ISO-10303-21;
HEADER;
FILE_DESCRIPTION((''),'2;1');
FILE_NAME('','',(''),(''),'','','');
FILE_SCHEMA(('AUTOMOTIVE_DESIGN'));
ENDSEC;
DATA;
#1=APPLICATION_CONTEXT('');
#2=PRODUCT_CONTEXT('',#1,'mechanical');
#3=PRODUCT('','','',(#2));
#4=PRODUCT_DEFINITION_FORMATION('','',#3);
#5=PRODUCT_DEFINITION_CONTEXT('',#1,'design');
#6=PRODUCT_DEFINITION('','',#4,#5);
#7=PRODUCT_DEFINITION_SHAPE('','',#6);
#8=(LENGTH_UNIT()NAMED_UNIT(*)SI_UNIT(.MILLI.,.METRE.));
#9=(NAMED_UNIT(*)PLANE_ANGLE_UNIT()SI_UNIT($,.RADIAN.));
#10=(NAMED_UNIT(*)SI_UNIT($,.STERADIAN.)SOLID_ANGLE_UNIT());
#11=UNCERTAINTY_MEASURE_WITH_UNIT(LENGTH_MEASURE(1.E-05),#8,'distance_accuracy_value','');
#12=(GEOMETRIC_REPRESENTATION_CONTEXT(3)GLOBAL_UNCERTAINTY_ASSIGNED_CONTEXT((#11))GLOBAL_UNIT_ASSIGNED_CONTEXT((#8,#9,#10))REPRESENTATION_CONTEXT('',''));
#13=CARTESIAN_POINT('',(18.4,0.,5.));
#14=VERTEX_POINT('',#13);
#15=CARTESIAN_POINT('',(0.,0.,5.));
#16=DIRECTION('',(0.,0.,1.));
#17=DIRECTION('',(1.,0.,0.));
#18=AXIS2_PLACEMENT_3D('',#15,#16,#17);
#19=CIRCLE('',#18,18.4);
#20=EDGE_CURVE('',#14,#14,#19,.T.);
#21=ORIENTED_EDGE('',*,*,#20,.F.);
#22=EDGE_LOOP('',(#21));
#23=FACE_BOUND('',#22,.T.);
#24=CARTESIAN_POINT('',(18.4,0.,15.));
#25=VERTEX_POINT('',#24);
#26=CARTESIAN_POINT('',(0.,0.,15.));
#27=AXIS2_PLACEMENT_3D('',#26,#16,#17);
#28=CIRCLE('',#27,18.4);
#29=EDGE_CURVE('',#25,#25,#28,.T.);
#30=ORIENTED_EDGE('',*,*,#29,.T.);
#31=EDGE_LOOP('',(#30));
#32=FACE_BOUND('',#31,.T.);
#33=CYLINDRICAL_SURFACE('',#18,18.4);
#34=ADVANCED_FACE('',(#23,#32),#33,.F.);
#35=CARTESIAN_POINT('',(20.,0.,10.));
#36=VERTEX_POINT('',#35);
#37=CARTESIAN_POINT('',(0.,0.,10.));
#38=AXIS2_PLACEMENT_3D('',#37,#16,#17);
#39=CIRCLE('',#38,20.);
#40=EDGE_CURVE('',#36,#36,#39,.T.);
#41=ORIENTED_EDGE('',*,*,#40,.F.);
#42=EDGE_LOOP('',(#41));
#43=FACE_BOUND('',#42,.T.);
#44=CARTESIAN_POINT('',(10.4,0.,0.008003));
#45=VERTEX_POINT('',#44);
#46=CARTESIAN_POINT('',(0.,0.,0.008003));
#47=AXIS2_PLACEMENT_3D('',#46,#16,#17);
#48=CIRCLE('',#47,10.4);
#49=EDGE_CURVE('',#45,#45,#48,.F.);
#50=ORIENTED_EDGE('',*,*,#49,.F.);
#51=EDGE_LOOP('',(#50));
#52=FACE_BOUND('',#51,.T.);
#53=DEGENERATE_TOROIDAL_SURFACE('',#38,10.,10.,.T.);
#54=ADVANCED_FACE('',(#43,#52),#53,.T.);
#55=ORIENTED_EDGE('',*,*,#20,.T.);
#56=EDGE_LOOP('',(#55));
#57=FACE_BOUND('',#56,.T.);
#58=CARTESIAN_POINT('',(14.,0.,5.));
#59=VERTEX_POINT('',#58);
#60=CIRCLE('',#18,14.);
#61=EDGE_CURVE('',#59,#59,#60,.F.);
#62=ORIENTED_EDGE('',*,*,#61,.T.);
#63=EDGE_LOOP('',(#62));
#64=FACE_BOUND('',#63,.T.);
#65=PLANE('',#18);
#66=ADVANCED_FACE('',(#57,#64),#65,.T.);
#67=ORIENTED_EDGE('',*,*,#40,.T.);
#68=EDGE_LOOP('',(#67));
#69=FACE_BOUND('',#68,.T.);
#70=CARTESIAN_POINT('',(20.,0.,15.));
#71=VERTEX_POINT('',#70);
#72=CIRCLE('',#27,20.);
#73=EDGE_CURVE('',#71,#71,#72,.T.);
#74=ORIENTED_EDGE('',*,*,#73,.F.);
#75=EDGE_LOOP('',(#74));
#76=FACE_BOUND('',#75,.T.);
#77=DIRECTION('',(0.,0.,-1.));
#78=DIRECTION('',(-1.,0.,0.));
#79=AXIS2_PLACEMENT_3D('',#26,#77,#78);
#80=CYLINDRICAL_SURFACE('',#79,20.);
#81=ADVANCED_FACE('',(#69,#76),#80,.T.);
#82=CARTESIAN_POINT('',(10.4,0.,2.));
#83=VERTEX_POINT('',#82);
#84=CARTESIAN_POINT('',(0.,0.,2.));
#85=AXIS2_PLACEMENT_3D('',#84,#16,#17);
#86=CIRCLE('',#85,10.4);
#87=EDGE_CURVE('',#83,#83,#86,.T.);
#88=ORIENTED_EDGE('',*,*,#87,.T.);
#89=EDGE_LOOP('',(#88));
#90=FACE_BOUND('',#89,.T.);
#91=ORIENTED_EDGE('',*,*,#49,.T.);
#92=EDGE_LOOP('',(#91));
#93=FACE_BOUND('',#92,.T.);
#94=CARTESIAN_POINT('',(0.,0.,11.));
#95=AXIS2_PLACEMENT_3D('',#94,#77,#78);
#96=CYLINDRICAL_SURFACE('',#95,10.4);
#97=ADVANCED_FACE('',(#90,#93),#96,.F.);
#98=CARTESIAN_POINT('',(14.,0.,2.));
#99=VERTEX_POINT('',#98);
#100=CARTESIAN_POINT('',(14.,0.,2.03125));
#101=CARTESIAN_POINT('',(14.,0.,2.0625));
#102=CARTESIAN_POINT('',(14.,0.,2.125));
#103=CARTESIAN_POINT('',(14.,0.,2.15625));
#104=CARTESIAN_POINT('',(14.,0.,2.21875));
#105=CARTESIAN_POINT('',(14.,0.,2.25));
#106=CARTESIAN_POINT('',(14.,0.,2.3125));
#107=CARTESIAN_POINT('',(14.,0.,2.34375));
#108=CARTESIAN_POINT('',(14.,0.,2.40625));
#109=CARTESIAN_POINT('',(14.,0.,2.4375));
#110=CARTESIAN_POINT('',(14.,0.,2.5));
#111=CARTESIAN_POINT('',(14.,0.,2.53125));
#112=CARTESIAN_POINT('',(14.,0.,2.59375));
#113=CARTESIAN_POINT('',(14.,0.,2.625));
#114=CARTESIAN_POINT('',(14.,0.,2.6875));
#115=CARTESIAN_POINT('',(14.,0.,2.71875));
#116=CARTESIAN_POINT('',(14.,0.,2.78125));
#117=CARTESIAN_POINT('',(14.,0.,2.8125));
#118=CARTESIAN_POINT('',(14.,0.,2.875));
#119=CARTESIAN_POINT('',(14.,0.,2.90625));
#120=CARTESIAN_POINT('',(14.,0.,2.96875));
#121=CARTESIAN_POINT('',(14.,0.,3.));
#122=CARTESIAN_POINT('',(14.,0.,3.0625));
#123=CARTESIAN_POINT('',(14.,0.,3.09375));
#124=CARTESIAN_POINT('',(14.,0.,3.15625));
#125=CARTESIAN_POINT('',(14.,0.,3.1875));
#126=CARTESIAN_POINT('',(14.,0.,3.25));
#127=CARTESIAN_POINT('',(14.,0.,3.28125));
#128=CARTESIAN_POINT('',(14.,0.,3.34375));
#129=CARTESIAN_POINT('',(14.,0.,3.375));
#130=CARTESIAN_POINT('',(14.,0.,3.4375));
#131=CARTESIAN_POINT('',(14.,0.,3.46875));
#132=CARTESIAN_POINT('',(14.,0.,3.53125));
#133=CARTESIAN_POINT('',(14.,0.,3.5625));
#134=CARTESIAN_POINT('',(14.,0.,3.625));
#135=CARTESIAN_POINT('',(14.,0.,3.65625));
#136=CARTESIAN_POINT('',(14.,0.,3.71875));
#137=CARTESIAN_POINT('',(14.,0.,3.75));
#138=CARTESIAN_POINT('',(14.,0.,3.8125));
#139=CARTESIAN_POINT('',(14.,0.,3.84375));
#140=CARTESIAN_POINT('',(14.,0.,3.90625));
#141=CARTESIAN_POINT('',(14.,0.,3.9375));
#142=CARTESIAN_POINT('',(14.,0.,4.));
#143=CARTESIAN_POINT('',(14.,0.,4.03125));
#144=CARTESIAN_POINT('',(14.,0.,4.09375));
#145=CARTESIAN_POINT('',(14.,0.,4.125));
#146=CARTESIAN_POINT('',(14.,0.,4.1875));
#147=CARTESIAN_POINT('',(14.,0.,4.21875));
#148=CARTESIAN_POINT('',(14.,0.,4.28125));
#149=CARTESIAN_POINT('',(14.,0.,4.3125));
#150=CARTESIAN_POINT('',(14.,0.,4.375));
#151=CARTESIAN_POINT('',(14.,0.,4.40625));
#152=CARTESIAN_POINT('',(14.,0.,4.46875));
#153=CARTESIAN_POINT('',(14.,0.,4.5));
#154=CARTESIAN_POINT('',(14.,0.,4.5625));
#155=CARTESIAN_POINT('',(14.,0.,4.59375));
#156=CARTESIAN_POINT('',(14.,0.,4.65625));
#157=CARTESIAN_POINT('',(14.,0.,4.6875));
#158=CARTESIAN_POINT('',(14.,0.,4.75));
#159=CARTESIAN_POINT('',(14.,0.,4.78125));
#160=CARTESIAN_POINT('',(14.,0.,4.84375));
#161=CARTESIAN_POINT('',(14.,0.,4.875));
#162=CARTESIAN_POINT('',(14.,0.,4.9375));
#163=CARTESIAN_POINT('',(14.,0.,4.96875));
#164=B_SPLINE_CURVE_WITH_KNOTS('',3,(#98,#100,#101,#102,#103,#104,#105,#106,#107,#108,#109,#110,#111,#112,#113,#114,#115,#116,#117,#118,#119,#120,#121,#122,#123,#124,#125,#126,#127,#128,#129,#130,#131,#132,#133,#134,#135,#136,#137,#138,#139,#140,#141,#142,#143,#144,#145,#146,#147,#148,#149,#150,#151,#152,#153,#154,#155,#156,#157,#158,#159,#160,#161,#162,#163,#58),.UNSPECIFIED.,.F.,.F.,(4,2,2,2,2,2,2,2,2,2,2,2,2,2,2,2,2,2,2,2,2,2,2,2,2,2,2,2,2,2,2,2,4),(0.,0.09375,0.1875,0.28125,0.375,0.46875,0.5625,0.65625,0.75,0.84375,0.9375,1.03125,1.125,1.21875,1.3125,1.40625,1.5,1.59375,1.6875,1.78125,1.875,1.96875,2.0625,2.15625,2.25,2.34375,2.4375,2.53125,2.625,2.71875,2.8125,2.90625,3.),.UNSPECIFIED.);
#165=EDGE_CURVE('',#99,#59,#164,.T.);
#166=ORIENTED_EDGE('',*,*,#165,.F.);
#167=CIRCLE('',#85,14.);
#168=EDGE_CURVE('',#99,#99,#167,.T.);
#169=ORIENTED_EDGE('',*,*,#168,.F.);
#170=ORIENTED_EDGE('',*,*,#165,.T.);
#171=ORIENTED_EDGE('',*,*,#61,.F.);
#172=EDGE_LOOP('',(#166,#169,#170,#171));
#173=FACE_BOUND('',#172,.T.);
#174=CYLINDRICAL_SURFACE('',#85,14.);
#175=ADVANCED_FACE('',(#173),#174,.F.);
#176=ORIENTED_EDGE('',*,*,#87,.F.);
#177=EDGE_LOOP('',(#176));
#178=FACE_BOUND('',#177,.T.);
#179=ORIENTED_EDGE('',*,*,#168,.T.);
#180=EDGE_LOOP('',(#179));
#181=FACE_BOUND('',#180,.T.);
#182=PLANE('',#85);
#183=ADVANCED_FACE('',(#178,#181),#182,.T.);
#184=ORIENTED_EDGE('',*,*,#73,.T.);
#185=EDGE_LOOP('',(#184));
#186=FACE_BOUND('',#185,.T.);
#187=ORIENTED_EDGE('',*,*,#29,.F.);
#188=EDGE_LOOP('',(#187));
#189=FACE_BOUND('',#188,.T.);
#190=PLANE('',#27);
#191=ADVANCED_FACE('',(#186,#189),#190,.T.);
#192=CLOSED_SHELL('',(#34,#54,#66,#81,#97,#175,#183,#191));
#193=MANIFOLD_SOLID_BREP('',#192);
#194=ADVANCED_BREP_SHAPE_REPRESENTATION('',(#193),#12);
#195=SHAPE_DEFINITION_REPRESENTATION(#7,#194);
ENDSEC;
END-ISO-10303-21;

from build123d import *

# Parameters (mm, degrees)
SKETCH1_R           = 20
BOSS_EXTRUDE1_DEPTH = 15
FILLET1_R           = 10
SKETCH2_R           = 14
CUT_EXTRUDE1_DEPTH  = 13
SKETCH4_R           = 10.4
CUT_EXTRUDE3_DEPTH  = 11
SKETCH3_R           = 18.4
CUT_EXTRUDE4_DEPTH  = 10


with BuildPart() as part:
    # Sketch1 → Boss-Extrude1 (new body)
    with BuildSketch(Plane.XY):
        Circle(SKETCH1_R)
    extrude(amount=BOSS_EXTRUDE1_DEPTH)

    # Fillet1
    fillet1_edges = [part.edges().sort_by_distance(p)[0] for p in [
        (-20, 0, 0),
    ]]
    fillet(fillet1_edges, radius=FILLET1_R)

    # Sketch2 → Cut-Extrude1 (cut)
    with BuildSketch(Plane.XY.offset(15)):
        Circle(SKETCH2_R)
    extrude(amount=-CUT_EXTRUDE1_DEPTH, mode=Mode.SUBTRACT)

    # Sketch4 → Cut-Extrude3 (cut)
    with BuildSketch(Plane(origin=(0, 0, 0), x_dir=(-1, 0, 0), z_dir=(0, 0, -1))):
        with Locations(Location((0, 0, 0), (0, 0, 180))):
            Circle(SKETCH4_R)
    extrude(amount=-CUT_EXTRUDE3_DEPTH, mode=Mode.SUBTRACT)

    # Sketch3 → Cut-Extrude4 (cut)
    with BuildSketch(Plane.XY.offset(15)):
        Circle(SKETCH3_R)
    extrude(amount=-CUT_EXTRUDE4_DEPTH, mode=Mode.SUBTRACT)


solid = part.part
